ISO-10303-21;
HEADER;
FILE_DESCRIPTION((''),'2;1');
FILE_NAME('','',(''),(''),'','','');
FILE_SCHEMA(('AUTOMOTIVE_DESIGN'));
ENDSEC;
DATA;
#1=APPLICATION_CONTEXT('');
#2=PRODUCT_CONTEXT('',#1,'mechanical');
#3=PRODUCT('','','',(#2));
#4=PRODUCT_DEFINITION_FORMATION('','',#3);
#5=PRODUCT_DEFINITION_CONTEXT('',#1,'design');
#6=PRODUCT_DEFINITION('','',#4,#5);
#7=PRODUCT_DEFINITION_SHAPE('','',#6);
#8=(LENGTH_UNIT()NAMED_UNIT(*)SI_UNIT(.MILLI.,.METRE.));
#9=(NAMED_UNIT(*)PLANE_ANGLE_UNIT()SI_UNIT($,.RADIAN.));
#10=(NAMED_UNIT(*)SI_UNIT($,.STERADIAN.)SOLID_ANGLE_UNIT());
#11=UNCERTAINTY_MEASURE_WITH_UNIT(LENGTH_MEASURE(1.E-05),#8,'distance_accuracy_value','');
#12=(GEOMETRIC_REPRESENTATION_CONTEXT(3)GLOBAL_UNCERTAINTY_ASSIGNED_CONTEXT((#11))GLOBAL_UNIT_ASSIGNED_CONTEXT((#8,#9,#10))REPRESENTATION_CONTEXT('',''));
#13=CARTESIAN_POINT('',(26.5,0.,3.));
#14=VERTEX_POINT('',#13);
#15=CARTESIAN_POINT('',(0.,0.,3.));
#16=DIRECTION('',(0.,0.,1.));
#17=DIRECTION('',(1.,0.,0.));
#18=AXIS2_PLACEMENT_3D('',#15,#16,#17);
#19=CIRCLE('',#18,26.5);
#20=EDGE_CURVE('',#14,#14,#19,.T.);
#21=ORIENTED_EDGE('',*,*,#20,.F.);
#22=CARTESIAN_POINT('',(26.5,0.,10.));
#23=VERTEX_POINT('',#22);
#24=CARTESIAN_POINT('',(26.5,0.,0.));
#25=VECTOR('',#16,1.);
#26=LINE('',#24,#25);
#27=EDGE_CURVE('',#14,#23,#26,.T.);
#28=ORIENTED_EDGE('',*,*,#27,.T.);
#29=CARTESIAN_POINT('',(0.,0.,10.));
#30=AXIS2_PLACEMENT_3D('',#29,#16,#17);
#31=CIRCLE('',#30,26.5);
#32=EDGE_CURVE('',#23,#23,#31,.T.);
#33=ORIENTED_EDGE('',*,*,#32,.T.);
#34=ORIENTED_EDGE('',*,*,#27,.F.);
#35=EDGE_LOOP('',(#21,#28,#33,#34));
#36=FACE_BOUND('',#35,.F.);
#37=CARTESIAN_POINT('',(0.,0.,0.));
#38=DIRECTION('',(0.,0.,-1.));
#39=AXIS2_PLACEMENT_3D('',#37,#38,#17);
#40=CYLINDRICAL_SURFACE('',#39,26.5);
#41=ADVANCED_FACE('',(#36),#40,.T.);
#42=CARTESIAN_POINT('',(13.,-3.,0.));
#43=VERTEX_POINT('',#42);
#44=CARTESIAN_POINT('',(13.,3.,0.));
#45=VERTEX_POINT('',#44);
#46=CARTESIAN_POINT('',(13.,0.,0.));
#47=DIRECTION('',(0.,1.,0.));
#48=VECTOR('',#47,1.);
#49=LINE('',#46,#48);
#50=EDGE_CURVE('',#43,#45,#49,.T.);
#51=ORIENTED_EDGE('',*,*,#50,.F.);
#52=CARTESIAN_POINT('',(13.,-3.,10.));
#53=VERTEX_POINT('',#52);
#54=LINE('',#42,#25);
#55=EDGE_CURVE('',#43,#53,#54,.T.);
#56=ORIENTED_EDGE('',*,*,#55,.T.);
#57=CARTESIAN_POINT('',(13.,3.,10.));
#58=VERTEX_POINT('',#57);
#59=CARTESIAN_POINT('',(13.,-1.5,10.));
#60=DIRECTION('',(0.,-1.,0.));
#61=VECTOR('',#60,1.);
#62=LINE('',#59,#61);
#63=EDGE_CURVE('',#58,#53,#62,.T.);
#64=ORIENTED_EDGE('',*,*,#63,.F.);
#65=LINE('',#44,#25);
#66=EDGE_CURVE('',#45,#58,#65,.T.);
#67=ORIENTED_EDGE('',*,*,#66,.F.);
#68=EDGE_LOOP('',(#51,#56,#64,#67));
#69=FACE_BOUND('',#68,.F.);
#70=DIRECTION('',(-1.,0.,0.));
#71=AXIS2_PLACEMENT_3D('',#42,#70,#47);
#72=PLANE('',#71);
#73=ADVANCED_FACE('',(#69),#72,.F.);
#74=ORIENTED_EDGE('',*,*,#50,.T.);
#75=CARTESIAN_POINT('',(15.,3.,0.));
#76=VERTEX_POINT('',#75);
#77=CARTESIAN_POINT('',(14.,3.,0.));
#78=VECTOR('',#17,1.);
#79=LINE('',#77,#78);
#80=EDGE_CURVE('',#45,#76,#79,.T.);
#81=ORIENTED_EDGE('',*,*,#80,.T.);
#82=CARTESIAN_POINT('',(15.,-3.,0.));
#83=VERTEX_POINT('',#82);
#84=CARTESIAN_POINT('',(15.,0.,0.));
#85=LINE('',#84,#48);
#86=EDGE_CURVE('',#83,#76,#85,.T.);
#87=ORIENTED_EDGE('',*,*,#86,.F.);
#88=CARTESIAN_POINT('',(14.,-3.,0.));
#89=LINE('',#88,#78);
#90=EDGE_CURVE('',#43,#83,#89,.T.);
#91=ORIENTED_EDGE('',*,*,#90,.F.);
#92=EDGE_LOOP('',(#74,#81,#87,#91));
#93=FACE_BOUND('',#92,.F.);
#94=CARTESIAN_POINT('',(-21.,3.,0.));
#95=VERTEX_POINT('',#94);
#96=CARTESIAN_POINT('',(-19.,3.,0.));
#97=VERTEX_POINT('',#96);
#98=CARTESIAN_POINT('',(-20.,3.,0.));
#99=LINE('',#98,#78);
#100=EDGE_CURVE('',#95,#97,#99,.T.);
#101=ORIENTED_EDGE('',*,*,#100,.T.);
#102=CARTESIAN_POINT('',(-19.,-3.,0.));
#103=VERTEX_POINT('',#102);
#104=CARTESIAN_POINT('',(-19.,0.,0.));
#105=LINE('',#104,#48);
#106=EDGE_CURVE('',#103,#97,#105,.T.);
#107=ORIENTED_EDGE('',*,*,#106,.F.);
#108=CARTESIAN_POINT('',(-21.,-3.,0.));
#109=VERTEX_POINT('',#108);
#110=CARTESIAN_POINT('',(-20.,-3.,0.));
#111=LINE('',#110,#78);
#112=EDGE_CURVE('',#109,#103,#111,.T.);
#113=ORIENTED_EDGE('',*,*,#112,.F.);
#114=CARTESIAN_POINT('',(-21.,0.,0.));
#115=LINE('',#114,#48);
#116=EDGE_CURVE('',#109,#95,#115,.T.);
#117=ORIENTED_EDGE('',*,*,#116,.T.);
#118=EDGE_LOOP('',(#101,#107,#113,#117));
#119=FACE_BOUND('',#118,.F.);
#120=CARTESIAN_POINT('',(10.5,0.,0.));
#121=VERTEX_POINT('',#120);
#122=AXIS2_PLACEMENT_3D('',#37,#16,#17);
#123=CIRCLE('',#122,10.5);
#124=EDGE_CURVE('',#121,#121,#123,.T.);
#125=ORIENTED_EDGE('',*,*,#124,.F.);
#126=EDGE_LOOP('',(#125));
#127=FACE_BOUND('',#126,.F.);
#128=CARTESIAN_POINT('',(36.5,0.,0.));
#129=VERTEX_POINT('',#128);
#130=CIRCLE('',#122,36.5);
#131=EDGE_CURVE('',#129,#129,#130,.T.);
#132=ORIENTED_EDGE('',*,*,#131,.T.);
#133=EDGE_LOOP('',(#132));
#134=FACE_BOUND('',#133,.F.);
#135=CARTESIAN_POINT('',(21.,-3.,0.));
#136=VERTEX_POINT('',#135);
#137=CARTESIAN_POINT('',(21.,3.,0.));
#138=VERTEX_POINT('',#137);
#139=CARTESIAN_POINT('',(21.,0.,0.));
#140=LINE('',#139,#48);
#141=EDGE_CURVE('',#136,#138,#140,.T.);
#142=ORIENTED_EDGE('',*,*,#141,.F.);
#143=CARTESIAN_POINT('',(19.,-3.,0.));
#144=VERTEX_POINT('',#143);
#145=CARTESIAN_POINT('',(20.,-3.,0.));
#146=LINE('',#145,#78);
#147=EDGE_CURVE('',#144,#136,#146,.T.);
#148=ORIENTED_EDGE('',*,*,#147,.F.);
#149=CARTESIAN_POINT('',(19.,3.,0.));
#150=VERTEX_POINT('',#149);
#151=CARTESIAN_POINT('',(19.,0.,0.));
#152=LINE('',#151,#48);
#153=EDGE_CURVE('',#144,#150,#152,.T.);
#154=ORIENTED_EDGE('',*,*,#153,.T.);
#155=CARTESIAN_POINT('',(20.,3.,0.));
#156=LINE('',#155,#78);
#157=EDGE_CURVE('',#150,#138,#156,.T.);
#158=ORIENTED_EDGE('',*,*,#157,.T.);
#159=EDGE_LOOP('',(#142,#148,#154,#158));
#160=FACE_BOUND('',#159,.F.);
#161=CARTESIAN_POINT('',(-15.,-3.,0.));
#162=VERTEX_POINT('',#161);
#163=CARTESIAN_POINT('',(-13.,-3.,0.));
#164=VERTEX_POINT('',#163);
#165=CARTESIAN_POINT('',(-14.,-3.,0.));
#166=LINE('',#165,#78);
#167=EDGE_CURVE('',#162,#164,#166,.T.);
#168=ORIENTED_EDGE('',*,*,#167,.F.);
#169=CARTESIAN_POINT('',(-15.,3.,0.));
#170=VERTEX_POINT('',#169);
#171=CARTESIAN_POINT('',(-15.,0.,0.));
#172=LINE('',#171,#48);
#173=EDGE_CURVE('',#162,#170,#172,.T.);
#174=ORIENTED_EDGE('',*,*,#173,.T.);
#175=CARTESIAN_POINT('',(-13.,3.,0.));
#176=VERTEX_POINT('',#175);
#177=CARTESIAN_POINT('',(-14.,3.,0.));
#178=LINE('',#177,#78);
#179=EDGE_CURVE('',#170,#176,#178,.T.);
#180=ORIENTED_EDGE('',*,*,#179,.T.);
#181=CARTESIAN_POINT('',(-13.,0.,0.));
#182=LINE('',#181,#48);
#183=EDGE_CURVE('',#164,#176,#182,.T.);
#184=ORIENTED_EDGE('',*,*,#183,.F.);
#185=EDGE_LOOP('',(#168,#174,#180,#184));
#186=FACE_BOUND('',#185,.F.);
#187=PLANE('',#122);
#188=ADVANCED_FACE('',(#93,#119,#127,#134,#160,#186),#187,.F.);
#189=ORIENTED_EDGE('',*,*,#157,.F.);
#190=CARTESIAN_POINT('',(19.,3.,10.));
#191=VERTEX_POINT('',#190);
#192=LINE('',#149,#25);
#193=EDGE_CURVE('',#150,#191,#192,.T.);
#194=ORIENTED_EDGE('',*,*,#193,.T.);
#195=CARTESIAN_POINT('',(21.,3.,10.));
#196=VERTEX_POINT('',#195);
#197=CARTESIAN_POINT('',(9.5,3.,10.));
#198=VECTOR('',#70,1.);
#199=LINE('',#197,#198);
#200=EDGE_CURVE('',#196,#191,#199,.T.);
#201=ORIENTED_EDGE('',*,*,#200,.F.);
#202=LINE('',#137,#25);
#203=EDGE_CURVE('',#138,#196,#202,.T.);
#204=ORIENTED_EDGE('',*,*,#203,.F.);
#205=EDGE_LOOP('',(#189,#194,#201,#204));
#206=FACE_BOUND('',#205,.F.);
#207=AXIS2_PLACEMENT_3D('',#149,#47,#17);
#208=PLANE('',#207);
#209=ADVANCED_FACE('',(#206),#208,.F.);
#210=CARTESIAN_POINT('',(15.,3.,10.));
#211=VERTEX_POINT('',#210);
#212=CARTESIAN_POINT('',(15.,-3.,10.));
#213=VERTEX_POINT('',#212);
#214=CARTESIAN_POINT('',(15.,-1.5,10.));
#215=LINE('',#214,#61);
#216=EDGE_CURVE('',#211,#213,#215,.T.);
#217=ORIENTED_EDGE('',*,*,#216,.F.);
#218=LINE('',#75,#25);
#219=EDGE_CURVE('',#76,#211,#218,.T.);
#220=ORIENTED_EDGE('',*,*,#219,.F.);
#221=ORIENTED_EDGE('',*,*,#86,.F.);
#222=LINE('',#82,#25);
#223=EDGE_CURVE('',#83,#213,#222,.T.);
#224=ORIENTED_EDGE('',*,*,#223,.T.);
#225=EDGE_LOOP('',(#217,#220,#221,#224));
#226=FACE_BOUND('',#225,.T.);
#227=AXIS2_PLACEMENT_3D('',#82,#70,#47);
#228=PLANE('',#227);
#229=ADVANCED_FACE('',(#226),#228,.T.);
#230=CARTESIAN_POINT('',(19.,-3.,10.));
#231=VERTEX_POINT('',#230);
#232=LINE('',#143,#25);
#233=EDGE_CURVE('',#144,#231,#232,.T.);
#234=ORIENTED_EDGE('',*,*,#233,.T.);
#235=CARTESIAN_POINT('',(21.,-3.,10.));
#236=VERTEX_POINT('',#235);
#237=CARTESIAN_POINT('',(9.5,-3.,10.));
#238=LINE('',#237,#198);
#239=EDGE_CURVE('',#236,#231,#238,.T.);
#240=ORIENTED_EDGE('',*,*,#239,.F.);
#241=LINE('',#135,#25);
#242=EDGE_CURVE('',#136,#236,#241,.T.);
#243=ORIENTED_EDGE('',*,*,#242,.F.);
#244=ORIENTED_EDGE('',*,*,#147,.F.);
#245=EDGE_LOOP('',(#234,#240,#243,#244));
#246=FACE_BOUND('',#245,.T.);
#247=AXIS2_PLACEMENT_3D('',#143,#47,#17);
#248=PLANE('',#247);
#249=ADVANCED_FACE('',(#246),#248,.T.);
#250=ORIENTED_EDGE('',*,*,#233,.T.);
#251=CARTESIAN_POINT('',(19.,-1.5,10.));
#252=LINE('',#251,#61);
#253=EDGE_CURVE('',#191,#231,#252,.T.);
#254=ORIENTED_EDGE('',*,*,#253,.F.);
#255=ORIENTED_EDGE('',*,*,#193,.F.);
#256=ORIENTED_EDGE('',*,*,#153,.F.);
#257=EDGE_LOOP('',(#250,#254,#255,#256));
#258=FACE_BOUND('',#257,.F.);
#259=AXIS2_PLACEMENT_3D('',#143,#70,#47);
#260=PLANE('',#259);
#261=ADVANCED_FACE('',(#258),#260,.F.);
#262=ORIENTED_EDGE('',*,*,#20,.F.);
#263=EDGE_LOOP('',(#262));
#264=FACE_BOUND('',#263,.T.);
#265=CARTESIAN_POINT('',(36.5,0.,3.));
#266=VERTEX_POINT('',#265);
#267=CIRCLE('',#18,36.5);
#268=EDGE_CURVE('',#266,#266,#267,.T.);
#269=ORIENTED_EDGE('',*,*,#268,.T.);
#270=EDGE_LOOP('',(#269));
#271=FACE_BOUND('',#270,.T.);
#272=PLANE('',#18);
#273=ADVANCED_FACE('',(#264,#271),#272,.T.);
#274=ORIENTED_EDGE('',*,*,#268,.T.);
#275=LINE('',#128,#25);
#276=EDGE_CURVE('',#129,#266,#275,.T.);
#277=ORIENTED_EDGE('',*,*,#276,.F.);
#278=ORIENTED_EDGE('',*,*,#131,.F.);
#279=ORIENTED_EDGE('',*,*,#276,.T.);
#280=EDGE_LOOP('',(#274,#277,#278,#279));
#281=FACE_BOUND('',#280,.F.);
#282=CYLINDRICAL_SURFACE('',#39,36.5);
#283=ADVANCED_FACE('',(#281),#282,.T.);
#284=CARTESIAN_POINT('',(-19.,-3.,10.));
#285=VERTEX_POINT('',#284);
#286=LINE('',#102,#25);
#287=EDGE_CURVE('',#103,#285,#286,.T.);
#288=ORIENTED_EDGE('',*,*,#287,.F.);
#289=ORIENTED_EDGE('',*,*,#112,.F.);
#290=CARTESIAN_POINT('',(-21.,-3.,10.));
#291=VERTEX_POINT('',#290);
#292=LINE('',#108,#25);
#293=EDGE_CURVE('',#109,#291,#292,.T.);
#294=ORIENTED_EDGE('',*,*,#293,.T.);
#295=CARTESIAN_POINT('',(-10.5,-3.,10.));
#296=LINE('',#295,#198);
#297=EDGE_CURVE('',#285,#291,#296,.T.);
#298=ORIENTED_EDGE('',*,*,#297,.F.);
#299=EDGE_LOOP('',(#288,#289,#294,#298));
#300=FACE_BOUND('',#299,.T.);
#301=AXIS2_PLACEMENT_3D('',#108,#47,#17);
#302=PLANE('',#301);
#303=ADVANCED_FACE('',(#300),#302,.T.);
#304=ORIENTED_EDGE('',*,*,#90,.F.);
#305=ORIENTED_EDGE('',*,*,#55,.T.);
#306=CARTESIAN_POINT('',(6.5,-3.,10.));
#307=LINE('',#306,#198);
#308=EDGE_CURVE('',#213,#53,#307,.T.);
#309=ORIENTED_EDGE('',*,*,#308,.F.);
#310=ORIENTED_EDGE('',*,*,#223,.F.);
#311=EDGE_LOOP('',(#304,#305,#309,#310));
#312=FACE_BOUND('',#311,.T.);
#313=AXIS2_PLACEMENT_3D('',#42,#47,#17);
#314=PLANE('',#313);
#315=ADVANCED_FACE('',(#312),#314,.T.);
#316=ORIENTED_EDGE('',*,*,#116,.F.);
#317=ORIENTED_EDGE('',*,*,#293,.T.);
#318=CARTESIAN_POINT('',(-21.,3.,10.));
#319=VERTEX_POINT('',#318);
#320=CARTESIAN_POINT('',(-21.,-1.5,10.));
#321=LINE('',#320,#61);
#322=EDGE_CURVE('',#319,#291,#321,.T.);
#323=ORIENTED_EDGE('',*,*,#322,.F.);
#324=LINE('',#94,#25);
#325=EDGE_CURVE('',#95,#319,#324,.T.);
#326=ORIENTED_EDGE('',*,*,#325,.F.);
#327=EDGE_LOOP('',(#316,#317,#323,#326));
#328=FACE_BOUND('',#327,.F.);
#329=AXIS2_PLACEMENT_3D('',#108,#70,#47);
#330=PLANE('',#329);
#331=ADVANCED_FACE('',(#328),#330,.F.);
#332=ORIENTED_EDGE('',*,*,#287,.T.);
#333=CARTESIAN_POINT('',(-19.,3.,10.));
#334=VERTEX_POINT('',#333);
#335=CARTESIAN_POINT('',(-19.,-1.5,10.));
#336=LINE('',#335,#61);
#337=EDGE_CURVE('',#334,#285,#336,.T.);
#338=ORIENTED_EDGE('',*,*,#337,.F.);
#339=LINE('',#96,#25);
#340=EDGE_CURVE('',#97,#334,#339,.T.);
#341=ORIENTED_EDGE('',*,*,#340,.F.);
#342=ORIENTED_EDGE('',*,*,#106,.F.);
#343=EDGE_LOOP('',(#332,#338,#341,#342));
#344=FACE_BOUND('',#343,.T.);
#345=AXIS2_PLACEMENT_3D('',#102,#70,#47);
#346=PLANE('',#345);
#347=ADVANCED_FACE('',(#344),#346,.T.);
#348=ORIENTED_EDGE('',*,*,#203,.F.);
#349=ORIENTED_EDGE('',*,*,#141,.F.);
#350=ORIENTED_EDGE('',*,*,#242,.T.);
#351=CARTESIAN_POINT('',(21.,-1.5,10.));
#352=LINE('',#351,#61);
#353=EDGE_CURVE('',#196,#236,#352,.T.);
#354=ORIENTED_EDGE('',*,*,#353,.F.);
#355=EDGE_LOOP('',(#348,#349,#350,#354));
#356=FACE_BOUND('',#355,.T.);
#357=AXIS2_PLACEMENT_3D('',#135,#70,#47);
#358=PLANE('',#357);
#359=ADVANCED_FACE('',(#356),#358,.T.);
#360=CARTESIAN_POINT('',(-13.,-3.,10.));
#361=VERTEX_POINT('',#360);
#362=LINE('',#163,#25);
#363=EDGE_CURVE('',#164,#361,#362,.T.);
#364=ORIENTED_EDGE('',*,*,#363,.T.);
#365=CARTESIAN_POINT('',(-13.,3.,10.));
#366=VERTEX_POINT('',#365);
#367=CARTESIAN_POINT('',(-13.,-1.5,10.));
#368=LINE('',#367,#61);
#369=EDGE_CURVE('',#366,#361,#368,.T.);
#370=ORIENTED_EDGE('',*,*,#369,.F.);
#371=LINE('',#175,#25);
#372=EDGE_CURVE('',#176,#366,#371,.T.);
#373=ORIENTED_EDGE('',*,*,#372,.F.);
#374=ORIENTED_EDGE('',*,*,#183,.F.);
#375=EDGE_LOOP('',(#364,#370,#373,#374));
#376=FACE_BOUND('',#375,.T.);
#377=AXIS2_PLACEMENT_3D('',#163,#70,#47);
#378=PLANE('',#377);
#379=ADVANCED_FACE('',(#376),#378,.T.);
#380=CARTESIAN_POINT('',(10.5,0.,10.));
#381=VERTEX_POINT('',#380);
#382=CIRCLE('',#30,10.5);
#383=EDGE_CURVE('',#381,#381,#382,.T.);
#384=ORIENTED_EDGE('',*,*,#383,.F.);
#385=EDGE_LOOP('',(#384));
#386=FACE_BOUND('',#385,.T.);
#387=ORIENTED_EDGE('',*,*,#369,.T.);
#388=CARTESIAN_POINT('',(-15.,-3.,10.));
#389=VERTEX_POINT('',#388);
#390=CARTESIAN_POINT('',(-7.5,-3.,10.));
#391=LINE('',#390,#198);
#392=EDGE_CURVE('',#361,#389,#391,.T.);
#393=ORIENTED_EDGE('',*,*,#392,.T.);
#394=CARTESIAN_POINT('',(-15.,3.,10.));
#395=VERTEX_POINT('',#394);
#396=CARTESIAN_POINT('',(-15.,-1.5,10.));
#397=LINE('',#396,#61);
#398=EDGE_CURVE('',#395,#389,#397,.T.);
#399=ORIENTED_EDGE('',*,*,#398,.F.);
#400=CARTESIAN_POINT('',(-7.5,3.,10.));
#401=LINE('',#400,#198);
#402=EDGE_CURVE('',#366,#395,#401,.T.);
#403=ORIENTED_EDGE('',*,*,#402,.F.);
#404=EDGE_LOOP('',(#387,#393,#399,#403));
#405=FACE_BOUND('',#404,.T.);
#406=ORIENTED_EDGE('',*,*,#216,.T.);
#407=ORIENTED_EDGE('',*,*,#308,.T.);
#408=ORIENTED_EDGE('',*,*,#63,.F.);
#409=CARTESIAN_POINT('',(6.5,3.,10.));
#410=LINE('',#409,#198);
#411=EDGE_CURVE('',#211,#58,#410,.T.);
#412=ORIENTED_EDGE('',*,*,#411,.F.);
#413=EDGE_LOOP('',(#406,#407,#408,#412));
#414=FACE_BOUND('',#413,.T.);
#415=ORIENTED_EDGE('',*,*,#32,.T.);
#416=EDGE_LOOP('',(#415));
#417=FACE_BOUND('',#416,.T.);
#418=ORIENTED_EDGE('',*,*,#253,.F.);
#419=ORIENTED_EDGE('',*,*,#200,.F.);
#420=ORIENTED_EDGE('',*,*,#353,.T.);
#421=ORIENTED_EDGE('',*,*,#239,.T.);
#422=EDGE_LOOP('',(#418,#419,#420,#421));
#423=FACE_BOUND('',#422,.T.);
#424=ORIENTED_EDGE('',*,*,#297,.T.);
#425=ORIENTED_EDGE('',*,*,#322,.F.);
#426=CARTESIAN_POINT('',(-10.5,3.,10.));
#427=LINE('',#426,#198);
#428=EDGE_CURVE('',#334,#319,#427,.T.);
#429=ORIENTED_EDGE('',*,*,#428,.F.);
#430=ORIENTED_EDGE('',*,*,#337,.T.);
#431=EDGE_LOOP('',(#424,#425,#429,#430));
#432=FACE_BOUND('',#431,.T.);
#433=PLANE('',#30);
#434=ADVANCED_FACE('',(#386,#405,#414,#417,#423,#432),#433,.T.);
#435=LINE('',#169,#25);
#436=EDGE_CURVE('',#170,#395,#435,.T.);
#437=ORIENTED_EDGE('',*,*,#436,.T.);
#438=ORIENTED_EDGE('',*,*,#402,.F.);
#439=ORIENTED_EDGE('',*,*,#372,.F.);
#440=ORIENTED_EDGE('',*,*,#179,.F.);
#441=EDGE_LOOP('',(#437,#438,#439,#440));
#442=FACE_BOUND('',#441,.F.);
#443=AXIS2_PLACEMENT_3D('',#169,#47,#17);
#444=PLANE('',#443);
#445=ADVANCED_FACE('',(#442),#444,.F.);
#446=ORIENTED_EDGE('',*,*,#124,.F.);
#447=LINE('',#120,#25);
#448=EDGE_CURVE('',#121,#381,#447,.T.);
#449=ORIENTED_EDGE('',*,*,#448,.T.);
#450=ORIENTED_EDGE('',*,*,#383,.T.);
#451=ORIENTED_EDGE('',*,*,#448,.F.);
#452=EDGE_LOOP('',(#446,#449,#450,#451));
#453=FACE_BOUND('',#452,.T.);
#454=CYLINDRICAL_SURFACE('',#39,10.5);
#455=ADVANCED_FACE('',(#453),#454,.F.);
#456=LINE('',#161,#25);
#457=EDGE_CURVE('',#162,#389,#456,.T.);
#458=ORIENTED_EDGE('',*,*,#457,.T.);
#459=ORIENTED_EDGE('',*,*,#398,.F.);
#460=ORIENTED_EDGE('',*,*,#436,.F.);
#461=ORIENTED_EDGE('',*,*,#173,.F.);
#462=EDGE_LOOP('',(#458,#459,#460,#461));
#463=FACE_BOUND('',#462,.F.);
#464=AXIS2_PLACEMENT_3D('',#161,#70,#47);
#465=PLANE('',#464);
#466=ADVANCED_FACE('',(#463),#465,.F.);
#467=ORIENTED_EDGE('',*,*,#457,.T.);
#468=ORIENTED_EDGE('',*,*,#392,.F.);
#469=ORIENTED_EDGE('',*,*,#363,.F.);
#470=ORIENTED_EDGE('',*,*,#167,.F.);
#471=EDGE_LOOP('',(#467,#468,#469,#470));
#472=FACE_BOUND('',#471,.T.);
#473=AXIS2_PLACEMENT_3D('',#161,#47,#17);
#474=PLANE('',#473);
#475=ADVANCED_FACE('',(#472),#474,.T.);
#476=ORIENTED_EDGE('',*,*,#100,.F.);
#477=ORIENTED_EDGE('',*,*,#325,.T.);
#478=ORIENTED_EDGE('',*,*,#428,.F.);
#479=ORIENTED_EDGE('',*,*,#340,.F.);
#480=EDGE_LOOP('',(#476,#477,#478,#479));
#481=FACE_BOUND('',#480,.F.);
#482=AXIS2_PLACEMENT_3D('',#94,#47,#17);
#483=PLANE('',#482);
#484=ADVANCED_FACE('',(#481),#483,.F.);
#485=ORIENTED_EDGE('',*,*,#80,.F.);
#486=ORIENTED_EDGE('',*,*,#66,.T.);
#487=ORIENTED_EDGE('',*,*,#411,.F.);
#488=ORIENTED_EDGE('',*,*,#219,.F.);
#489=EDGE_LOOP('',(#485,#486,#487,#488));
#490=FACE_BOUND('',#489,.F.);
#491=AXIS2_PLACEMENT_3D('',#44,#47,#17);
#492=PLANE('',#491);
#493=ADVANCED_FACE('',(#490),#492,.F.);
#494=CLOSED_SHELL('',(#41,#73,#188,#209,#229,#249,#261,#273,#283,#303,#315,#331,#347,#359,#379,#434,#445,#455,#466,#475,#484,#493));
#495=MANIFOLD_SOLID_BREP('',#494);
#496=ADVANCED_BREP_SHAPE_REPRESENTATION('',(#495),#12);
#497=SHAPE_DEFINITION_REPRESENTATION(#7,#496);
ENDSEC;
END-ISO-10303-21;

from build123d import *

# Parameters (mm, degrees)
F0_R     = 36.5
F0_R_2   = 26.5
F1_DEPTH = 3
F0_R_3   = 10.5
F2_DEPTH = 10
F3_W     = 2
F3_H     = 6
F4_DEPTH = 25


with BuildPart() as f1:
    # F0 (on Top) → F1 (new body)
    with BuildSketch(Plane.XY):
        Circle(F0_R)
        Circle(F0_R_2, mode=Mode.SUBTRACT)
    extrude(amount=F1_DEPTH)

    # F0 (on Top) → F2 (join)
    with BuildSketch(Plane.XY):
        Circle(F0_R_2)
        Circle(F0_R_3, mode=Mode.SUBTRACT)
    extrude(amount=F2_DEPTH)

    # F3 (on Top) → F4 (cut)
    with BuildSketch(Plane.XY):
        with Locations((-20, 0)):
            Rectangle(F3_W, F3_H)
        with Locations((-14, 0)):
            Rectangle(F3_W, F3_H)
        with Locations((20, 0)):
            Rectangle(F3_W, F3_H)
        with Locations((14, 0)):
            Rectangle(F3_W, F3_H)
    extrude(amount=F4_DEPTH, mode=Mode.SUBTRACT)


solid = f1.part
